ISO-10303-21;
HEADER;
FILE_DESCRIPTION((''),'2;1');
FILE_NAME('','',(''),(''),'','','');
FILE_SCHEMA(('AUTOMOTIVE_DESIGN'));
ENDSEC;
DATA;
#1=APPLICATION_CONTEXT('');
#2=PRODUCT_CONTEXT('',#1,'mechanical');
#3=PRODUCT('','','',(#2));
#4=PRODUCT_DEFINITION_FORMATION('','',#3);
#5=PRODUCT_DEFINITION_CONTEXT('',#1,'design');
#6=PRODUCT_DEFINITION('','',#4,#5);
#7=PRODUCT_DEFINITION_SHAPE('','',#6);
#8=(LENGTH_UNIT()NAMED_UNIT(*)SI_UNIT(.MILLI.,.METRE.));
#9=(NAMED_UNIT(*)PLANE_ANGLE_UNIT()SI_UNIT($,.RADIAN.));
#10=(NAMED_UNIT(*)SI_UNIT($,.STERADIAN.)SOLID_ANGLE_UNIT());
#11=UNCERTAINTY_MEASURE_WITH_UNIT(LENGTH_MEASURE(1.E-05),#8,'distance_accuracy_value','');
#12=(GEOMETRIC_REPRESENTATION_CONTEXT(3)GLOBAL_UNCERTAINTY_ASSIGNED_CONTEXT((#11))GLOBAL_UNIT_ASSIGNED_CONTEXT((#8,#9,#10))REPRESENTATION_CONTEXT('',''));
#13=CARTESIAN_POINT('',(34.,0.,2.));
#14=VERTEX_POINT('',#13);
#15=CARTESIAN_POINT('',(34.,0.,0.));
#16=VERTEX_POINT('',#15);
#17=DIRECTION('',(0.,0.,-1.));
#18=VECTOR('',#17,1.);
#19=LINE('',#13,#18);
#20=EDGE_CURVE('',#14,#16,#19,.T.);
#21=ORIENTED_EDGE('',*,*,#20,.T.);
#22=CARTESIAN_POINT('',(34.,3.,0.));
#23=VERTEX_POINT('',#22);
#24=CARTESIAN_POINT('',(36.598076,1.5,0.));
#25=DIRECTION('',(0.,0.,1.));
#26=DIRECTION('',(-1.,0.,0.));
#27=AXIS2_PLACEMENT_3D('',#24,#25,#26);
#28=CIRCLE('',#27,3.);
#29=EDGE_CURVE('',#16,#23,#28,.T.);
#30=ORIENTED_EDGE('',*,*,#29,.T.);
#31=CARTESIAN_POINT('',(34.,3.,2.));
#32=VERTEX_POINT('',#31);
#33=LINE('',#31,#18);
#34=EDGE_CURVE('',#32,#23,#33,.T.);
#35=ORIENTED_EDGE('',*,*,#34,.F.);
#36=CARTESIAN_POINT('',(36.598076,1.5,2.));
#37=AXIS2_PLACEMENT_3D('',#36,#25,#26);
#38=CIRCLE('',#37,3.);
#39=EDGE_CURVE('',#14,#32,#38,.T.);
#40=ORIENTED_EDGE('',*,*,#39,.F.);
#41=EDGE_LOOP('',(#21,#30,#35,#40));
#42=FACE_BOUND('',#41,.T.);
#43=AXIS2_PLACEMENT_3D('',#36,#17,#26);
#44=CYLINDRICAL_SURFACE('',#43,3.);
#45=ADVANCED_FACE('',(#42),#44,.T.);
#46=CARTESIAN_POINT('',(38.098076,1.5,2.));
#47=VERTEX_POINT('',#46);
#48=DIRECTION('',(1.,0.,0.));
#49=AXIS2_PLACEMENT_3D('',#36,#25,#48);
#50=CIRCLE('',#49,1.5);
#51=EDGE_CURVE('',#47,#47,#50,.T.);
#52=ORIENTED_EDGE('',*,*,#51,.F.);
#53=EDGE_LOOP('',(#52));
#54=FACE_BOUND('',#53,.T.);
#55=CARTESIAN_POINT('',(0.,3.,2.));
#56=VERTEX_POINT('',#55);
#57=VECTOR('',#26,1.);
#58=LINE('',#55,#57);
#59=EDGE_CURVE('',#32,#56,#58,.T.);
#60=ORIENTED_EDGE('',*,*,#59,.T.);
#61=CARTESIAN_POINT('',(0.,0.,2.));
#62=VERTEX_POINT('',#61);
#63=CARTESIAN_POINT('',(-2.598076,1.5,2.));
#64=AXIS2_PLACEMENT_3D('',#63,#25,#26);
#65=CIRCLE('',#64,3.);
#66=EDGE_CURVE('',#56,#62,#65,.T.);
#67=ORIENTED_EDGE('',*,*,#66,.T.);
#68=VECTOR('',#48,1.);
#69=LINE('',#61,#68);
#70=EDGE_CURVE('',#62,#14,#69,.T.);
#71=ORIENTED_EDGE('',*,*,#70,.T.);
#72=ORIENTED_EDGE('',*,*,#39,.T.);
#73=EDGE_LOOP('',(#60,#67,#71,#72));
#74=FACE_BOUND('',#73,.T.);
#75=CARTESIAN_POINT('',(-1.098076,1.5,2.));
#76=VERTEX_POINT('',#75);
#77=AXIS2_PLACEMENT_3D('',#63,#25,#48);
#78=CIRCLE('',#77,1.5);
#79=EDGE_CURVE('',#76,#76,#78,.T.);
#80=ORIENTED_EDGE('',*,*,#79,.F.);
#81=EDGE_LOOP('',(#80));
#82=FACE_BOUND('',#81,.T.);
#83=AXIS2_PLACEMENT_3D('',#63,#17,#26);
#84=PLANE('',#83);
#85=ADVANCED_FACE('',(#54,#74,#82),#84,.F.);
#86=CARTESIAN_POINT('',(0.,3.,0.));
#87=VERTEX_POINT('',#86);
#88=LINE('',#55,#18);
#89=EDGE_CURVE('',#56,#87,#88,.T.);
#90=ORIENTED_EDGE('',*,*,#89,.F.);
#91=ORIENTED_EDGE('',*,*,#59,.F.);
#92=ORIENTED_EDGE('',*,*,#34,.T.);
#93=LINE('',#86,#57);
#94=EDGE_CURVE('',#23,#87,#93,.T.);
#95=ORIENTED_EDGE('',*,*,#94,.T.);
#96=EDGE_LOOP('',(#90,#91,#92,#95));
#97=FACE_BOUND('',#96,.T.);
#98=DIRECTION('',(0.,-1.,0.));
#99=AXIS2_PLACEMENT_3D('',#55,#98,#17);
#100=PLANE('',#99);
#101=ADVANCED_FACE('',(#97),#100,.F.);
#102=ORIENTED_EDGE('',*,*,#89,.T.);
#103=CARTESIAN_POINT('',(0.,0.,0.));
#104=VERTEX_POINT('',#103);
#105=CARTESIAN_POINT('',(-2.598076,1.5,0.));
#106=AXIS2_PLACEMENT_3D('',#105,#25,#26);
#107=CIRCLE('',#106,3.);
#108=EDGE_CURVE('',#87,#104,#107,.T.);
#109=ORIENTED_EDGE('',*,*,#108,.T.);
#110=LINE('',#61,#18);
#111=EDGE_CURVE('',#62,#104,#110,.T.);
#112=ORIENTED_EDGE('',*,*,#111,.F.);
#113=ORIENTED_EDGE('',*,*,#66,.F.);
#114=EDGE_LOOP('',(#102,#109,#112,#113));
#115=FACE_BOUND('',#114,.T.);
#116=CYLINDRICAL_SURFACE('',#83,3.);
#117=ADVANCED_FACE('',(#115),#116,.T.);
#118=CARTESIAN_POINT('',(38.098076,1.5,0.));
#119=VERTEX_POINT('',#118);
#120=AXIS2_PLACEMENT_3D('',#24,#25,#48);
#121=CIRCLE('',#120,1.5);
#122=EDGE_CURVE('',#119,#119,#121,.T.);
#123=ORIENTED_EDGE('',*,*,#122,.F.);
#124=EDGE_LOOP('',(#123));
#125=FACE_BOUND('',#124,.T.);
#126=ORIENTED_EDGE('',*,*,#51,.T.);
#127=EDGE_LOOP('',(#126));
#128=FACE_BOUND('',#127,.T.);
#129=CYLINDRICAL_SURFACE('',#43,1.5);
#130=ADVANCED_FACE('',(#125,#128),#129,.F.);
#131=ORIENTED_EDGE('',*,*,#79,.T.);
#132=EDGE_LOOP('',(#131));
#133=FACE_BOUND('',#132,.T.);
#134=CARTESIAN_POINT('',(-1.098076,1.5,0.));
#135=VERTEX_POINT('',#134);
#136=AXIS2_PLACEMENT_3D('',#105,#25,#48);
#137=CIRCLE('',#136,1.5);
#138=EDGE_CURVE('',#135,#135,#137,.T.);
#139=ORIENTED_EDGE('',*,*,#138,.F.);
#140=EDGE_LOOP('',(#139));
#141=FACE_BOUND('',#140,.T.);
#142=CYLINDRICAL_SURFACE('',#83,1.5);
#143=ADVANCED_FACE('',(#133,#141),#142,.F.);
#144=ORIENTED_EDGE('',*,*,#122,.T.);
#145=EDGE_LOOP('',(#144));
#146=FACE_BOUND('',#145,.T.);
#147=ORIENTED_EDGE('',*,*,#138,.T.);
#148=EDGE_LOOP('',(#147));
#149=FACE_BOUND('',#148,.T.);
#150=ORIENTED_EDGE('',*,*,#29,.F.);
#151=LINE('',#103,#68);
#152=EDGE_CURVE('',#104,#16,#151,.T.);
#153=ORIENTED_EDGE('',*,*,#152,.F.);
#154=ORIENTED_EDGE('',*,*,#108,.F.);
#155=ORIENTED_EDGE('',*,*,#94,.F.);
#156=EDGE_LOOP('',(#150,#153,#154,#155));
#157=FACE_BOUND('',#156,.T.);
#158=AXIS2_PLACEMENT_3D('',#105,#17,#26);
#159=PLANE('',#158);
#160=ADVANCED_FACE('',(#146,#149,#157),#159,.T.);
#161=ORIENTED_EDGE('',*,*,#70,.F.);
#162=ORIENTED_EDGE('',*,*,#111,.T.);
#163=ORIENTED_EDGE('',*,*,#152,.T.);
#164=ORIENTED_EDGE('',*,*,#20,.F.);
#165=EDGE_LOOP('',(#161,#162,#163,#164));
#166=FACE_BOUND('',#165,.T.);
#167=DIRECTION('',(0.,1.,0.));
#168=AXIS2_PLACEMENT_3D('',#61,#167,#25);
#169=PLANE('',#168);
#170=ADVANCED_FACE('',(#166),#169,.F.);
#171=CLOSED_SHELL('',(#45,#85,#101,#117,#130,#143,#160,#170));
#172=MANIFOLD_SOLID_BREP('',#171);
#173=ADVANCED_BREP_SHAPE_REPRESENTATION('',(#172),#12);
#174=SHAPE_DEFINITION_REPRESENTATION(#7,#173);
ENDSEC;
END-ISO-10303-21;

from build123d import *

# Parameters (mm, degrees)
SKETCH1_R           = 1.5
BOSS_EXTRUDE1_DEPTH = 2


with BuildPart() as part:
    # Sketch1 → Boss-Extrude1 (new body)
    with BuildSketch(Plane.XY):
        with BuildLine():
            Line((0, 0), (34, 0))
            ThreePointArc((34, 0), (39.598076211, 1.5), (34, 3))
            Line((34, 3), (0, 3))
            ThreePointArc((0, 3), (-5.598076211, 1.5), (0, 0))
        make_face()
        with Locations((36.598076211, 1.5)):
            Circle(SKETCH1_R, mode=Mode.SUBTRACT)
        with Locations((-2.598076211, 1.5)):
            Circle(SKETCH1_R, mode=Mode.SUBTRACT)
    extrude(amount=BOSS_EXTRUDE1_DEPTH)


solid = part.part
